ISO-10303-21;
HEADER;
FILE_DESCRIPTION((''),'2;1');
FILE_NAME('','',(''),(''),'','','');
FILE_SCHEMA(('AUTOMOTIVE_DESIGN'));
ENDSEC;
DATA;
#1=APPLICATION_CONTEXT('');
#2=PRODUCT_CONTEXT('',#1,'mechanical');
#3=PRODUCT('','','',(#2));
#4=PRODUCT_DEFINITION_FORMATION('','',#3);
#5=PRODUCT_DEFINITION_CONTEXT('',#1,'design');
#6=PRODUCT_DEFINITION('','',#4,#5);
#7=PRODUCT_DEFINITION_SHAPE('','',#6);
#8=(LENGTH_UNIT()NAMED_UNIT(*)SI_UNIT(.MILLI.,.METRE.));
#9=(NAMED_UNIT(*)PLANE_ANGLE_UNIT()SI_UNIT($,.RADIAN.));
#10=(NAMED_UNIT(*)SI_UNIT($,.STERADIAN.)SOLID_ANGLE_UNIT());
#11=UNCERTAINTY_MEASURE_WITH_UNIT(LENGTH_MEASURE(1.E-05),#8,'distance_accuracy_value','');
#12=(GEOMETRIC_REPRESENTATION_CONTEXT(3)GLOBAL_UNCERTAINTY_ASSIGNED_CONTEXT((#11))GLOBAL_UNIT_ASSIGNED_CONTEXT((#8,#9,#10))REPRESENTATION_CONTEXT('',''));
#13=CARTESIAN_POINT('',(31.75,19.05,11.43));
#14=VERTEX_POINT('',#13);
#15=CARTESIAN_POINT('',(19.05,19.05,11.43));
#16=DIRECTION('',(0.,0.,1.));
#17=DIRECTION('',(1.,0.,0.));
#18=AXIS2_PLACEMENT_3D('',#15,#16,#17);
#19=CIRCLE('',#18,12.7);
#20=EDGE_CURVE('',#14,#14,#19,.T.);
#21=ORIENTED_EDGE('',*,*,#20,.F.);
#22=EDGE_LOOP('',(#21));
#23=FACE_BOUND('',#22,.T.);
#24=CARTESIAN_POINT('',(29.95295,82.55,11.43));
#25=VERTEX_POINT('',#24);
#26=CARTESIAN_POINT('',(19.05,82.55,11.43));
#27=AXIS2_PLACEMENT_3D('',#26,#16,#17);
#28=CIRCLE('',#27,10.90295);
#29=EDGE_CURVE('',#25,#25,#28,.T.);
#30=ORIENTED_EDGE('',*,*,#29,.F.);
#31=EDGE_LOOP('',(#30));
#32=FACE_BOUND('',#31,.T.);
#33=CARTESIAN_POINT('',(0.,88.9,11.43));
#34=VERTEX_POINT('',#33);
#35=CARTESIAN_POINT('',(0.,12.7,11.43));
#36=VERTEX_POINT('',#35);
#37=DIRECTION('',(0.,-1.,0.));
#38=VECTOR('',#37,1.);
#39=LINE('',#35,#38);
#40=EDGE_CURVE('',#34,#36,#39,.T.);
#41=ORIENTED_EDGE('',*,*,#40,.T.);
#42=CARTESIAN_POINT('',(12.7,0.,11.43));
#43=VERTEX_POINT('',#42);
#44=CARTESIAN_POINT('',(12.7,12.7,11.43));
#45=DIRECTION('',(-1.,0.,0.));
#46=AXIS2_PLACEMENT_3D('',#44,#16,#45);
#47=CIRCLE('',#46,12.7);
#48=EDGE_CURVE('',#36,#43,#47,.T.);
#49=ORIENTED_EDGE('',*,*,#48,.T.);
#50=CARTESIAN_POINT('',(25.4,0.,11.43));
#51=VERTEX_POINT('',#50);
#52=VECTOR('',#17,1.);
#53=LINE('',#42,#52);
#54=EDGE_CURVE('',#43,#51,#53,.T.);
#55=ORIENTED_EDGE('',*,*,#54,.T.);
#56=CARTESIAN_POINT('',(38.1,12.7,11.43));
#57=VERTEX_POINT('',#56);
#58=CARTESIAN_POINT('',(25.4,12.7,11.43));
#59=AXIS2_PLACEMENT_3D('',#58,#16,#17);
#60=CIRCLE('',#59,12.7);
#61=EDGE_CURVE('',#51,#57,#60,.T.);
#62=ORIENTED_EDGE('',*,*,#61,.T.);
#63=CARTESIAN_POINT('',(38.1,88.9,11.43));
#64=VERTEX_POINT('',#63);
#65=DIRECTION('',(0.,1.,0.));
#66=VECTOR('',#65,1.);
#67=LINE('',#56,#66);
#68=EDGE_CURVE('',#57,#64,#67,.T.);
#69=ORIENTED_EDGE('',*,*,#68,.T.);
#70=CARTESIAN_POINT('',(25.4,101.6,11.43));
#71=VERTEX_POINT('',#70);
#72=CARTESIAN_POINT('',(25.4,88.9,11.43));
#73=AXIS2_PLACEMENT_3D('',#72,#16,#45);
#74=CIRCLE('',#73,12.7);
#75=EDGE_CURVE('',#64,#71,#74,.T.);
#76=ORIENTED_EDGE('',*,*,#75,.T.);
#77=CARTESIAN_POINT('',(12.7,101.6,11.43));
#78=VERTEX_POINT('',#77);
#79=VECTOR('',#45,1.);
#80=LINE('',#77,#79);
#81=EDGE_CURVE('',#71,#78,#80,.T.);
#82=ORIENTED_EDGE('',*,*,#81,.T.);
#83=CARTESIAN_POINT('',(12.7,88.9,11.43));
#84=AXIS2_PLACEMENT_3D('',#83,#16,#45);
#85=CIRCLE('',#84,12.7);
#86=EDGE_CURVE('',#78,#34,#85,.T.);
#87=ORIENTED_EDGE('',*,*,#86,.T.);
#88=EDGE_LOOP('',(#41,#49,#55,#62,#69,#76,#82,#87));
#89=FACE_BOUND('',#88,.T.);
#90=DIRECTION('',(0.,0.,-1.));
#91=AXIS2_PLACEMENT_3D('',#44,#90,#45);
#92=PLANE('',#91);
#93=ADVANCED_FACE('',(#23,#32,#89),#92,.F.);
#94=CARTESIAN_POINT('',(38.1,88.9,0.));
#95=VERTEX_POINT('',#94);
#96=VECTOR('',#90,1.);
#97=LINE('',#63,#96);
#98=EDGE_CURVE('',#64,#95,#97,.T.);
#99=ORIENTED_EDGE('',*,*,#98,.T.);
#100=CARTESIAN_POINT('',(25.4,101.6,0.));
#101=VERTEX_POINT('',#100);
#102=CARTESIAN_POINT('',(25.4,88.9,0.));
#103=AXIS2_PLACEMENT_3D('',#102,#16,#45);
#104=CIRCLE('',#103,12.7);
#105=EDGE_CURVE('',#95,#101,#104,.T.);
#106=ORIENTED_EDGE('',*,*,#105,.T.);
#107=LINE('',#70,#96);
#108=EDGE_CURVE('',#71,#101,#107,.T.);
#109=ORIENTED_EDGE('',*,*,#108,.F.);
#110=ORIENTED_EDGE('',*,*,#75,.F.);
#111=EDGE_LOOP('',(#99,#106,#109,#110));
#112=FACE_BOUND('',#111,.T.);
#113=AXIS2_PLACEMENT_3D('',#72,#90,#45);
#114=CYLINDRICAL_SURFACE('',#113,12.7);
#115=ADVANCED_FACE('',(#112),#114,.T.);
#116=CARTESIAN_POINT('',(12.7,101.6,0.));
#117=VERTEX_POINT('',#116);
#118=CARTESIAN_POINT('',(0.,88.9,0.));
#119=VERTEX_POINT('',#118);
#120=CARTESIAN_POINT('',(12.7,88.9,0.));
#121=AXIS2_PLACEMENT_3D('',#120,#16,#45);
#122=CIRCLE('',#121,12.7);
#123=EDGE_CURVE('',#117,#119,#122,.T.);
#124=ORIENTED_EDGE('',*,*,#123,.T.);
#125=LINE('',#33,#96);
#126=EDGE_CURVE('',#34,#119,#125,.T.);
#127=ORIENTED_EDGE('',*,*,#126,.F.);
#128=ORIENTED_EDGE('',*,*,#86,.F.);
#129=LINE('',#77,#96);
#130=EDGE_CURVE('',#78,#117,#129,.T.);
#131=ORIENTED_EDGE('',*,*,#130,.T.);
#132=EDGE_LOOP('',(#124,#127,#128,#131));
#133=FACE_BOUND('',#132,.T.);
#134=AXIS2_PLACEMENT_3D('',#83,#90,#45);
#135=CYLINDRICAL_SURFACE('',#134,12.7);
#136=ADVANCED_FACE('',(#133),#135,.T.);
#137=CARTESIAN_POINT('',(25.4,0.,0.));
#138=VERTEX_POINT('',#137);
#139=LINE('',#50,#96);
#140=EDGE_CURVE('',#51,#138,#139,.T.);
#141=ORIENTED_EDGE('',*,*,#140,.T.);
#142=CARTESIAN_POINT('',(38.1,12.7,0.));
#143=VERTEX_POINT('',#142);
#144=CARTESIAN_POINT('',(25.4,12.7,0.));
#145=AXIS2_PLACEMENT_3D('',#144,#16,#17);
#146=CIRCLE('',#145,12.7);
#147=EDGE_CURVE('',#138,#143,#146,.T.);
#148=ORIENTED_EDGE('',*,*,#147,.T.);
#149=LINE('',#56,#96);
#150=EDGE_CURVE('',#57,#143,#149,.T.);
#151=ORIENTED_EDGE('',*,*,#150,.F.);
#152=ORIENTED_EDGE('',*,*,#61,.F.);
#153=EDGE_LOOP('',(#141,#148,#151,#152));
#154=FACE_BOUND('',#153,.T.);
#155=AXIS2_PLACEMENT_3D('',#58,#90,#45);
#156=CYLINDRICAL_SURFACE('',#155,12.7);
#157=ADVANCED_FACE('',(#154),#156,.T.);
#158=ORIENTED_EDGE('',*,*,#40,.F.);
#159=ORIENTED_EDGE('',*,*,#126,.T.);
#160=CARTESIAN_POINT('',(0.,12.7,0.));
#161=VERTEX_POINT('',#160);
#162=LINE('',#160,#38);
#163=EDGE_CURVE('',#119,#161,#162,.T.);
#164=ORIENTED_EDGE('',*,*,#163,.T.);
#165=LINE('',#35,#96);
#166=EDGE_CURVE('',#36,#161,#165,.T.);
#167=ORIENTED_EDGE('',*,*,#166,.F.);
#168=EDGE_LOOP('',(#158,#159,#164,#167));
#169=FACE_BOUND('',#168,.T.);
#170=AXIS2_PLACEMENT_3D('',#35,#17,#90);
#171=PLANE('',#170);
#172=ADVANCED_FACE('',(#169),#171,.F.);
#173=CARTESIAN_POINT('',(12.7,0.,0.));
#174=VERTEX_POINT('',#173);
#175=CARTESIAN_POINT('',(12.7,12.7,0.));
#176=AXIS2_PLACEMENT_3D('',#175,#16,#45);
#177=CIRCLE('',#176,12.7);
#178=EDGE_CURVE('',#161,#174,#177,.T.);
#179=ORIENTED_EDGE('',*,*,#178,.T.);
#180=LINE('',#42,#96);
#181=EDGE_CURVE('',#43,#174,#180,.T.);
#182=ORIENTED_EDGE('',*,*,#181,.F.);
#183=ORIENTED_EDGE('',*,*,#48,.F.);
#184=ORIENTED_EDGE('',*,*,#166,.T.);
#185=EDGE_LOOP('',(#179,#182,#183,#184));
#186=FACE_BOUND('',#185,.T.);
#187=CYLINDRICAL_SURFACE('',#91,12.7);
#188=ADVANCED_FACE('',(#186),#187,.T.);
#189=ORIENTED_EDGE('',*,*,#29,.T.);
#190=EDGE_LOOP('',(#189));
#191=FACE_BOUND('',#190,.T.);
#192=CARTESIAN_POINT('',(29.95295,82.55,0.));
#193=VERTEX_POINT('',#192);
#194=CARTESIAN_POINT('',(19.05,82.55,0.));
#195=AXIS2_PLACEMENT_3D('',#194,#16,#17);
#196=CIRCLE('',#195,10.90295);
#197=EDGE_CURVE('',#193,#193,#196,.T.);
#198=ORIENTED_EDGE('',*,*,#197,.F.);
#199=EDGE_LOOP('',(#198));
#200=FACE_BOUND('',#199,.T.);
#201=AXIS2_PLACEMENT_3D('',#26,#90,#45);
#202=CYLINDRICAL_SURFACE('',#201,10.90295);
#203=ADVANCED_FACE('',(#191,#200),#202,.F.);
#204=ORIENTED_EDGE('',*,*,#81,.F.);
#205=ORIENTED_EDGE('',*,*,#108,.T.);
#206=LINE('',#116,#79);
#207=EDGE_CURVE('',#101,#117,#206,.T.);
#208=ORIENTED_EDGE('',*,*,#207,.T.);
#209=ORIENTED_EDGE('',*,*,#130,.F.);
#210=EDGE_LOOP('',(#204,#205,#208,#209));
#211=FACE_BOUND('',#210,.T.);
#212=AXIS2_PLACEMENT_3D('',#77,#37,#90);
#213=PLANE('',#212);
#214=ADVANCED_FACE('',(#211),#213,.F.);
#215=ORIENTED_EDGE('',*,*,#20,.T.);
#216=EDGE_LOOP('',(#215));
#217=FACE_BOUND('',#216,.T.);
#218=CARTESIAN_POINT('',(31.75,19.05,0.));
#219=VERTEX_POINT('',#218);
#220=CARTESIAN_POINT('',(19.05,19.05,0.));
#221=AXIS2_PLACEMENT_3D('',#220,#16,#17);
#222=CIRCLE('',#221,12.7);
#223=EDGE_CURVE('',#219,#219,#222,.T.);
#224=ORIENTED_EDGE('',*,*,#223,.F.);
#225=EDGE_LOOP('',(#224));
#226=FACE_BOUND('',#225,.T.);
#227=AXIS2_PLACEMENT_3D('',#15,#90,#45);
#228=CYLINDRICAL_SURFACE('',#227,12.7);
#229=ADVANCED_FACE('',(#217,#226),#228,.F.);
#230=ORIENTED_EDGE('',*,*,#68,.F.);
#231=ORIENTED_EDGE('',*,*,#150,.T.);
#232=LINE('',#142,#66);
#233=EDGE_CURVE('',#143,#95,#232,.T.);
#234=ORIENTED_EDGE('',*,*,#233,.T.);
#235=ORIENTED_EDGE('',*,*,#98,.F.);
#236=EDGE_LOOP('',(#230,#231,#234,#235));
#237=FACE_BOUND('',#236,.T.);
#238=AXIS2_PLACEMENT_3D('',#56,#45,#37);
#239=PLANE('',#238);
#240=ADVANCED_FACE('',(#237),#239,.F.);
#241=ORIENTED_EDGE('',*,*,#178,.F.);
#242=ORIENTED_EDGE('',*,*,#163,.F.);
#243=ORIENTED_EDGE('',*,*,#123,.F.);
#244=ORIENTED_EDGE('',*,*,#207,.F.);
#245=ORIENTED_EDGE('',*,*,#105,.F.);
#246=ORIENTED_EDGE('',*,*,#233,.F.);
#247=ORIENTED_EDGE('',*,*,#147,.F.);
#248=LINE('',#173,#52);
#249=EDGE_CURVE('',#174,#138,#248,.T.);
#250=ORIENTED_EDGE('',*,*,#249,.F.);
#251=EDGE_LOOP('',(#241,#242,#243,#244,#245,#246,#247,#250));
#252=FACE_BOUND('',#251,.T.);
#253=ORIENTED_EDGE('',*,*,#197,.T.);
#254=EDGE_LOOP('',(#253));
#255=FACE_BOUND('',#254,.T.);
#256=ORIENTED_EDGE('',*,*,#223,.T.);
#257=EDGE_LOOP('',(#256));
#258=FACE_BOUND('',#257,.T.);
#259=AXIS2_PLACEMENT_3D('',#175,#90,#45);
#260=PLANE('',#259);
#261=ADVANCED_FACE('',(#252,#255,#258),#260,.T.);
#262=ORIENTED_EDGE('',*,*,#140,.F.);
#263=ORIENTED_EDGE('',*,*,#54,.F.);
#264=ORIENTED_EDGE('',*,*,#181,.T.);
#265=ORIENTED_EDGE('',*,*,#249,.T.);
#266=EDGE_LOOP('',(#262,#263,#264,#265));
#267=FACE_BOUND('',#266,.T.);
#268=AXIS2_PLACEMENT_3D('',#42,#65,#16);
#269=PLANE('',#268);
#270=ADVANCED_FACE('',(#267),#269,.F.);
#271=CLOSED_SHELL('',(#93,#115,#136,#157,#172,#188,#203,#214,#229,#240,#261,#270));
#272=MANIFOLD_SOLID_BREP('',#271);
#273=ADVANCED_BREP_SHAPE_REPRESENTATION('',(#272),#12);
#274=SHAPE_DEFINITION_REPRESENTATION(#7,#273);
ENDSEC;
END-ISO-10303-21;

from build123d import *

# Parameters (mm, degrees)
SKETCH1_R           = 10.90295
SKETCH1_R_2         = 12.7
BOSS_EXTRUDE1_DEPTH = 11.43


with BuildPart() as part:
    # Sketch1 → Boss-Extrude1 (new body)
    with BuildSketch(Plane.XY):
        with BuildLine():
            Line((12.7, 0), (25.4, 0))
            ThreePointArc((25.4, 0), (34.380256121, 3.719743879), (38.1, 12.7))
            Line((38.1, 12.7), (38.1, 88.9))
            ThreePointArc((38.1, 88.9), (34.380256121, 97.880256121), (25.4, 101.6))
            Line((25.4, 101.6), (12.7, 101.6))
            ThreePointArc((12.7, 101.6), (3.719743879, 97.880256121), (0, 88.9))
            Line((0, 88.9), (0, 12.7))
            ThreePointArc((0, 12.7), (3.719743879, 3.719743879), (12.7, 0))
        make_face()
        with Locations((19.05, 82.55)):
            Circle(SKETCH1_R, mode=Mode.SUBTRACT)
        with Locations((19.05, 19.05)):
            Circle(SKETCH1_R_2, mode=Mode.SUBTRACT)
    extrude(amount=BOSS_EXTRUDE1_DEPTH)


solid = part.part
